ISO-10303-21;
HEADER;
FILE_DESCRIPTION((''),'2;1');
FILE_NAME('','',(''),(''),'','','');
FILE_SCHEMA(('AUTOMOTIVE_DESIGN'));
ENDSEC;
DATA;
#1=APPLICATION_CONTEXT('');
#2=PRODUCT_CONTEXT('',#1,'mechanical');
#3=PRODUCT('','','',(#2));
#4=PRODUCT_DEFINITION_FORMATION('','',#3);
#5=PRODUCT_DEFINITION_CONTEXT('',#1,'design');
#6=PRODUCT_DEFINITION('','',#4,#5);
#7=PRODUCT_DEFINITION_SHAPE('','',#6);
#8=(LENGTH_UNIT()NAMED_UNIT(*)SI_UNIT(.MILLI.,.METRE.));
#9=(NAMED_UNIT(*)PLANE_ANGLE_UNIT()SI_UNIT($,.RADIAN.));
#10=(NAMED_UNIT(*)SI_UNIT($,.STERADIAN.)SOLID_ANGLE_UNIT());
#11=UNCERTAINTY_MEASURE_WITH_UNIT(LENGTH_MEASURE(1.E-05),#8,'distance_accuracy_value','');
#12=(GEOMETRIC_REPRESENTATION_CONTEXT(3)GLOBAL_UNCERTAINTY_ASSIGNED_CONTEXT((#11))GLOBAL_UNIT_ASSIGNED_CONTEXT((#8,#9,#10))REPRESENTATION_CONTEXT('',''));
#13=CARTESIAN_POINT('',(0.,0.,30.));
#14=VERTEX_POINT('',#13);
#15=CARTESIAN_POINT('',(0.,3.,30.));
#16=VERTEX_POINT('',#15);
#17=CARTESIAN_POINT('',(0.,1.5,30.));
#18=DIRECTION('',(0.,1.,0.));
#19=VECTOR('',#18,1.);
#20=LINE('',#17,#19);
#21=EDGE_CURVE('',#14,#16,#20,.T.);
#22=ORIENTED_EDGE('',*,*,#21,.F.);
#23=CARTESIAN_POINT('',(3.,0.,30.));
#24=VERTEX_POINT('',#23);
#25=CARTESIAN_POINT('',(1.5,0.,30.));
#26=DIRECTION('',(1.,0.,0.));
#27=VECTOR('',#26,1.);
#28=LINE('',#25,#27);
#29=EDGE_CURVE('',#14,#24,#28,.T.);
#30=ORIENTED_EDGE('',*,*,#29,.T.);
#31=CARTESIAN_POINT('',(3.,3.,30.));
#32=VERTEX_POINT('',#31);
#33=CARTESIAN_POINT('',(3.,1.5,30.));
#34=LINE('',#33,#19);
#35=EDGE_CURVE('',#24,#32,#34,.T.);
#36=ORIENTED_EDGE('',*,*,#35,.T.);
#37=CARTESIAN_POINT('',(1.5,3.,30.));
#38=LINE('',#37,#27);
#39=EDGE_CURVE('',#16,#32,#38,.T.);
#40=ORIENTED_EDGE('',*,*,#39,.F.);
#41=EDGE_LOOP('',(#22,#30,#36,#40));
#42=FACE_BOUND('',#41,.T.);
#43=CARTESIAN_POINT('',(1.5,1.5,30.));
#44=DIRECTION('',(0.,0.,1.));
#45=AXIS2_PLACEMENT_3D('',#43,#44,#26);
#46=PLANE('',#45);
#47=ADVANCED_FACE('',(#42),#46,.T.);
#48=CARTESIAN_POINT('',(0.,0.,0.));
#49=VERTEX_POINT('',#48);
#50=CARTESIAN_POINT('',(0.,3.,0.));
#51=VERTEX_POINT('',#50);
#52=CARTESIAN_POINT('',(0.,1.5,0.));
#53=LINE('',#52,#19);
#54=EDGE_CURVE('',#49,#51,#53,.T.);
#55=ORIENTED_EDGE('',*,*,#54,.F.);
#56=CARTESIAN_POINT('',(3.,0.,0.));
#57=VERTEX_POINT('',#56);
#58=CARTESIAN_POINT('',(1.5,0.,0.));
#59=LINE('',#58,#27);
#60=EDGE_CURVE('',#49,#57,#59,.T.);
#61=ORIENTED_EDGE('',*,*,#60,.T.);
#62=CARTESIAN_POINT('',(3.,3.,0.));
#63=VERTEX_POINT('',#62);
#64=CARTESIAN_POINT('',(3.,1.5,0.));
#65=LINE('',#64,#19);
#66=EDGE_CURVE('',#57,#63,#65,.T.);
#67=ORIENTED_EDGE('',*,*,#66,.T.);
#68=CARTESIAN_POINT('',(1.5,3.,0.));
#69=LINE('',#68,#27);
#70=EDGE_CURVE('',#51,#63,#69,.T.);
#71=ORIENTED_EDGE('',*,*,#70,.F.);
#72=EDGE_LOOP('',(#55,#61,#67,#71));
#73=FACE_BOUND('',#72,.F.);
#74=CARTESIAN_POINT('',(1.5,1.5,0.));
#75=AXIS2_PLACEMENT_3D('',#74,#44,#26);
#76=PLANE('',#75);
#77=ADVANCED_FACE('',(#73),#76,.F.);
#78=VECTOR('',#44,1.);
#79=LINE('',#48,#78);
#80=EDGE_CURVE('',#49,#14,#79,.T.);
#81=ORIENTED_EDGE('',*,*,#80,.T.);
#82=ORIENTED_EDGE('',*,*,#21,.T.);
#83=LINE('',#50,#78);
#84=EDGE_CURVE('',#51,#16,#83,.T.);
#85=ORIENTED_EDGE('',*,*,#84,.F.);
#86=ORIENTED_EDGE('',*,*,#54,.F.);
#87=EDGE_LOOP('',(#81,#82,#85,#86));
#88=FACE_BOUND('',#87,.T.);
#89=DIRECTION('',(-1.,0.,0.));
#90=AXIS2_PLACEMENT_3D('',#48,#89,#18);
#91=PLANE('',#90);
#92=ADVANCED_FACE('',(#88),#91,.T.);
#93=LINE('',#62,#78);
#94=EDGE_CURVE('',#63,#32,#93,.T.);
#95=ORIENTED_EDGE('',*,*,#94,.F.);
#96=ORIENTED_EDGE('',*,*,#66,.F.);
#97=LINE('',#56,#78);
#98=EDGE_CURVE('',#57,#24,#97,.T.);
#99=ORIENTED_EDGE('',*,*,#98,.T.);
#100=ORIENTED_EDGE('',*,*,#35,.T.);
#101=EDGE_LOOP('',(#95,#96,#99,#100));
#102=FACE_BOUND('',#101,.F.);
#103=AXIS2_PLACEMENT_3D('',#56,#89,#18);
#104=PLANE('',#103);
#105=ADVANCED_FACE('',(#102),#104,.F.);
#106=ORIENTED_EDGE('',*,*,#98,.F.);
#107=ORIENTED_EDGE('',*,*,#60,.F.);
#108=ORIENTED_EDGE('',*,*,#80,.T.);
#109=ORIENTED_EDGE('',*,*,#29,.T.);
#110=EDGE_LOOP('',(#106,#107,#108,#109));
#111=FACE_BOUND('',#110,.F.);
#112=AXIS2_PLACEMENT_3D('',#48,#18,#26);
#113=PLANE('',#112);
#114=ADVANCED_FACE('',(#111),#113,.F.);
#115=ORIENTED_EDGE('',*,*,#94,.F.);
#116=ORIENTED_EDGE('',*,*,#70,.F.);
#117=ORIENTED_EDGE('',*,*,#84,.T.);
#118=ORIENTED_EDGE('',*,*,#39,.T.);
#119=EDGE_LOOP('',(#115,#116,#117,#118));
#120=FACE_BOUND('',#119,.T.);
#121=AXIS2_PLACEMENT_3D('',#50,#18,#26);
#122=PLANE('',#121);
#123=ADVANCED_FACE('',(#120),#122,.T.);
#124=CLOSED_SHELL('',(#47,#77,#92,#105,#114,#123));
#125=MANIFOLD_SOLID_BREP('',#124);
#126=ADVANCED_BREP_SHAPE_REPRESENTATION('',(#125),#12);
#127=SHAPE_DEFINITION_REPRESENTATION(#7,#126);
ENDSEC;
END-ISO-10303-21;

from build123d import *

# Parameters (mm, degrees)
SKETCH1_W           = 3
SKETCH1_H           = 3
BOSS_EXTRUDE1_DEPTH = 30


with BuildPart() as part:
    # Sketch1 → Boss-Extrude1 (new body)
    with BuildSketch(Plane.XY):
        with Locations((1.5, 1.5)):
            Rectangle(SKETCH1_W, SKETCH1_H)
    extrude(amount=BOSS_EXTRUDE1_DEPTH)


solid = part.part
